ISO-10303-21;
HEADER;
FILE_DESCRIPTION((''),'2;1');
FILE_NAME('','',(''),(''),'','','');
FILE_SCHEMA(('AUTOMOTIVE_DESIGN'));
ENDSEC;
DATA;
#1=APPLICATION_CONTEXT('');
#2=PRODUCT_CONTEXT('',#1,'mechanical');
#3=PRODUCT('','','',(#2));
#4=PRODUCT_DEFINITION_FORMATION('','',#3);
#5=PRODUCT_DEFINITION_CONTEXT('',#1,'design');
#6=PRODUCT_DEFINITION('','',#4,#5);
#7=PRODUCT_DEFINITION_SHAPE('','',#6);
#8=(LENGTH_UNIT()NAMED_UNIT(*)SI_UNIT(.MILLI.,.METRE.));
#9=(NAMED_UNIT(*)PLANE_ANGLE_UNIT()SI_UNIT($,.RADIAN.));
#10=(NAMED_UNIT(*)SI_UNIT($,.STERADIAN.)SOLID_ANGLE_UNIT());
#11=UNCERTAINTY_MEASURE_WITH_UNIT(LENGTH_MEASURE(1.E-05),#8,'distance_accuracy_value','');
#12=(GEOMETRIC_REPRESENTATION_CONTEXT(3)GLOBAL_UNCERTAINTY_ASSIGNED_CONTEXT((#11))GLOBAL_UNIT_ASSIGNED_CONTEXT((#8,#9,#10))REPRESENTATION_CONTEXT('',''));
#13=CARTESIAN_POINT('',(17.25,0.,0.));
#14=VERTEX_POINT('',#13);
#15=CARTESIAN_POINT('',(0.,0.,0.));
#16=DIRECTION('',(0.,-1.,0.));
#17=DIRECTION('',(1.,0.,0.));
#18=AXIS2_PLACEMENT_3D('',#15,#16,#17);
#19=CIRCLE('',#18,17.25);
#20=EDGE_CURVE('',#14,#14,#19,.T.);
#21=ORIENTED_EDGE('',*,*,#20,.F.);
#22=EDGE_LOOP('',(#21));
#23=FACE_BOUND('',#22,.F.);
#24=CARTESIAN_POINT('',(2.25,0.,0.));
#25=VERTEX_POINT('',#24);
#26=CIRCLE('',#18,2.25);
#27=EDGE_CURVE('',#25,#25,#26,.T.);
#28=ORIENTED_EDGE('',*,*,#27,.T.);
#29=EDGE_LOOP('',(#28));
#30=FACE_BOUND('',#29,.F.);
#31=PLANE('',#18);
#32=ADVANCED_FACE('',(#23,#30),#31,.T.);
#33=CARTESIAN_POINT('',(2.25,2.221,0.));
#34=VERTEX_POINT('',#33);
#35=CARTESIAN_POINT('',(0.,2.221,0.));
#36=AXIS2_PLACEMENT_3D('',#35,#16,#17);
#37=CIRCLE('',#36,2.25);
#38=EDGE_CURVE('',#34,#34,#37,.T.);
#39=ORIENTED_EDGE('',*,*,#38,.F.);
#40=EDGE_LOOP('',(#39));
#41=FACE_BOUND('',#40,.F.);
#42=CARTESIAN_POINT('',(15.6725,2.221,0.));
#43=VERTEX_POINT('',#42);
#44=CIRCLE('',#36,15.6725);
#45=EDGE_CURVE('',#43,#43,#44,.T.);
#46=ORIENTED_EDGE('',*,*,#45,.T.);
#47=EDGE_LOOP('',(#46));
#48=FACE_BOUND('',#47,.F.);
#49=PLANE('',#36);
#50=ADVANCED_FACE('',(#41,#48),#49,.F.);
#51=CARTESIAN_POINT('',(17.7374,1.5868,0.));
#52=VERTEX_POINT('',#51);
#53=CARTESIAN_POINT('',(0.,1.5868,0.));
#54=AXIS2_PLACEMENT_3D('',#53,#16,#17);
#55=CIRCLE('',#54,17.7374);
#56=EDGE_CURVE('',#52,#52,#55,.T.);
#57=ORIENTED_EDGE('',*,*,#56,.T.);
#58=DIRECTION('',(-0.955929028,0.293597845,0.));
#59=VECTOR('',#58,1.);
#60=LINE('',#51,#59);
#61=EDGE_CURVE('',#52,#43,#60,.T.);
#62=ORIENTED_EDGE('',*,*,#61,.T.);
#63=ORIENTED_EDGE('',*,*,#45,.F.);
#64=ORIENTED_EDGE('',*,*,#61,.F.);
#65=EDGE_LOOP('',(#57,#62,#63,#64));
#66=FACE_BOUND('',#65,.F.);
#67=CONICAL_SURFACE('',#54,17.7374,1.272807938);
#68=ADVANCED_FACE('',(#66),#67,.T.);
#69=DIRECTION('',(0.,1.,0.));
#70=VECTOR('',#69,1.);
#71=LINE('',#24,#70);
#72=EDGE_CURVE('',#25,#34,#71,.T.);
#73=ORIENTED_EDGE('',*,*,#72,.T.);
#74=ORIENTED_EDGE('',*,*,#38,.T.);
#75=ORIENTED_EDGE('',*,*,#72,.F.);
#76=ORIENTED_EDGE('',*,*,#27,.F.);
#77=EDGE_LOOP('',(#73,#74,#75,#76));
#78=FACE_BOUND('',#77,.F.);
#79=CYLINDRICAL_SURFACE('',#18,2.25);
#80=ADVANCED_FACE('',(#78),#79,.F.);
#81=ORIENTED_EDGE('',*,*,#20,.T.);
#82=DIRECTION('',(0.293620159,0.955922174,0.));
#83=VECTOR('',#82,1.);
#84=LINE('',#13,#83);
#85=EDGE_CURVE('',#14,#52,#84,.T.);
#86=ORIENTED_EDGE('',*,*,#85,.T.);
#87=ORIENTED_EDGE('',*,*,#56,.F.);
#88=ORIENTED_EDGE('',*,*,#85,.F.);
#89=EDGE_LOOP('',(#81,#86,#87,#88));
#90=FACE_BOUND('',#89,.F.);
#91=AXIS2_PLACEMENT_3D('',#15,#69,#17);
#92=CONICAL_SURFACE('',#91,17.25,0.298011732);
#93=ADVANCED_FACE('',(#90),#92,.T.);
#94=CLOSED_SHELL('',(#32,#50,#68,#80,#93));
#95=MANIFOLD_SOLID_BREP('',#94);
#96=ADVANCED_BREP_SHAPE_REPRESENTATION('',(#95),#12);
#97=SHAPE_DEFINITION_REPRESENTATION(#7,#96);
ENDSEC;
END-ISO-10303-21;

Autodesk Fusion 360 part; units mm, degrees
sketch "Boceto1" plane through (0, 0, 0) normal (0, 0, 1) x (1, 0, 0)
  line L0 (0, 0) -> (17.25, 0)
  line L1 (17.25, 0) -> (17.7374, 1.5868)
  line L2 (17.7374, 1.5868) -> (15.6725, 2.221)
  line L3 (15.6725, 2.221) -> (0, 2.221)
  line L4 (0, 2.221) -> (0, 0)
  line L5 (0, 1.5868) -> (17.7374, 1.5868) construction
  dimension "d1" = 17.25
  dimension "d3" = 1.66
  dimension "d4" = 2.16
  dimension "d16" = 90
  dimension "d22" = 2.221
revolve "Revolución2" add sketch "Boceto1" angle 360 about axis through (0, 2.221, 0) along (0, -1, 0)
sketch "Boceto4" plane through (0, 0, 0) normal (0, -1, 0) x (1, 0, 0)
  circle A0 centre (0, 0) radius 17.25
  circle A1 centre (0, 0) radius 2.25
  dimension "d19" = 4.5
extrude "Extruir3" cut sketch "Boceto4" along normal mid plane 26 contours A1
